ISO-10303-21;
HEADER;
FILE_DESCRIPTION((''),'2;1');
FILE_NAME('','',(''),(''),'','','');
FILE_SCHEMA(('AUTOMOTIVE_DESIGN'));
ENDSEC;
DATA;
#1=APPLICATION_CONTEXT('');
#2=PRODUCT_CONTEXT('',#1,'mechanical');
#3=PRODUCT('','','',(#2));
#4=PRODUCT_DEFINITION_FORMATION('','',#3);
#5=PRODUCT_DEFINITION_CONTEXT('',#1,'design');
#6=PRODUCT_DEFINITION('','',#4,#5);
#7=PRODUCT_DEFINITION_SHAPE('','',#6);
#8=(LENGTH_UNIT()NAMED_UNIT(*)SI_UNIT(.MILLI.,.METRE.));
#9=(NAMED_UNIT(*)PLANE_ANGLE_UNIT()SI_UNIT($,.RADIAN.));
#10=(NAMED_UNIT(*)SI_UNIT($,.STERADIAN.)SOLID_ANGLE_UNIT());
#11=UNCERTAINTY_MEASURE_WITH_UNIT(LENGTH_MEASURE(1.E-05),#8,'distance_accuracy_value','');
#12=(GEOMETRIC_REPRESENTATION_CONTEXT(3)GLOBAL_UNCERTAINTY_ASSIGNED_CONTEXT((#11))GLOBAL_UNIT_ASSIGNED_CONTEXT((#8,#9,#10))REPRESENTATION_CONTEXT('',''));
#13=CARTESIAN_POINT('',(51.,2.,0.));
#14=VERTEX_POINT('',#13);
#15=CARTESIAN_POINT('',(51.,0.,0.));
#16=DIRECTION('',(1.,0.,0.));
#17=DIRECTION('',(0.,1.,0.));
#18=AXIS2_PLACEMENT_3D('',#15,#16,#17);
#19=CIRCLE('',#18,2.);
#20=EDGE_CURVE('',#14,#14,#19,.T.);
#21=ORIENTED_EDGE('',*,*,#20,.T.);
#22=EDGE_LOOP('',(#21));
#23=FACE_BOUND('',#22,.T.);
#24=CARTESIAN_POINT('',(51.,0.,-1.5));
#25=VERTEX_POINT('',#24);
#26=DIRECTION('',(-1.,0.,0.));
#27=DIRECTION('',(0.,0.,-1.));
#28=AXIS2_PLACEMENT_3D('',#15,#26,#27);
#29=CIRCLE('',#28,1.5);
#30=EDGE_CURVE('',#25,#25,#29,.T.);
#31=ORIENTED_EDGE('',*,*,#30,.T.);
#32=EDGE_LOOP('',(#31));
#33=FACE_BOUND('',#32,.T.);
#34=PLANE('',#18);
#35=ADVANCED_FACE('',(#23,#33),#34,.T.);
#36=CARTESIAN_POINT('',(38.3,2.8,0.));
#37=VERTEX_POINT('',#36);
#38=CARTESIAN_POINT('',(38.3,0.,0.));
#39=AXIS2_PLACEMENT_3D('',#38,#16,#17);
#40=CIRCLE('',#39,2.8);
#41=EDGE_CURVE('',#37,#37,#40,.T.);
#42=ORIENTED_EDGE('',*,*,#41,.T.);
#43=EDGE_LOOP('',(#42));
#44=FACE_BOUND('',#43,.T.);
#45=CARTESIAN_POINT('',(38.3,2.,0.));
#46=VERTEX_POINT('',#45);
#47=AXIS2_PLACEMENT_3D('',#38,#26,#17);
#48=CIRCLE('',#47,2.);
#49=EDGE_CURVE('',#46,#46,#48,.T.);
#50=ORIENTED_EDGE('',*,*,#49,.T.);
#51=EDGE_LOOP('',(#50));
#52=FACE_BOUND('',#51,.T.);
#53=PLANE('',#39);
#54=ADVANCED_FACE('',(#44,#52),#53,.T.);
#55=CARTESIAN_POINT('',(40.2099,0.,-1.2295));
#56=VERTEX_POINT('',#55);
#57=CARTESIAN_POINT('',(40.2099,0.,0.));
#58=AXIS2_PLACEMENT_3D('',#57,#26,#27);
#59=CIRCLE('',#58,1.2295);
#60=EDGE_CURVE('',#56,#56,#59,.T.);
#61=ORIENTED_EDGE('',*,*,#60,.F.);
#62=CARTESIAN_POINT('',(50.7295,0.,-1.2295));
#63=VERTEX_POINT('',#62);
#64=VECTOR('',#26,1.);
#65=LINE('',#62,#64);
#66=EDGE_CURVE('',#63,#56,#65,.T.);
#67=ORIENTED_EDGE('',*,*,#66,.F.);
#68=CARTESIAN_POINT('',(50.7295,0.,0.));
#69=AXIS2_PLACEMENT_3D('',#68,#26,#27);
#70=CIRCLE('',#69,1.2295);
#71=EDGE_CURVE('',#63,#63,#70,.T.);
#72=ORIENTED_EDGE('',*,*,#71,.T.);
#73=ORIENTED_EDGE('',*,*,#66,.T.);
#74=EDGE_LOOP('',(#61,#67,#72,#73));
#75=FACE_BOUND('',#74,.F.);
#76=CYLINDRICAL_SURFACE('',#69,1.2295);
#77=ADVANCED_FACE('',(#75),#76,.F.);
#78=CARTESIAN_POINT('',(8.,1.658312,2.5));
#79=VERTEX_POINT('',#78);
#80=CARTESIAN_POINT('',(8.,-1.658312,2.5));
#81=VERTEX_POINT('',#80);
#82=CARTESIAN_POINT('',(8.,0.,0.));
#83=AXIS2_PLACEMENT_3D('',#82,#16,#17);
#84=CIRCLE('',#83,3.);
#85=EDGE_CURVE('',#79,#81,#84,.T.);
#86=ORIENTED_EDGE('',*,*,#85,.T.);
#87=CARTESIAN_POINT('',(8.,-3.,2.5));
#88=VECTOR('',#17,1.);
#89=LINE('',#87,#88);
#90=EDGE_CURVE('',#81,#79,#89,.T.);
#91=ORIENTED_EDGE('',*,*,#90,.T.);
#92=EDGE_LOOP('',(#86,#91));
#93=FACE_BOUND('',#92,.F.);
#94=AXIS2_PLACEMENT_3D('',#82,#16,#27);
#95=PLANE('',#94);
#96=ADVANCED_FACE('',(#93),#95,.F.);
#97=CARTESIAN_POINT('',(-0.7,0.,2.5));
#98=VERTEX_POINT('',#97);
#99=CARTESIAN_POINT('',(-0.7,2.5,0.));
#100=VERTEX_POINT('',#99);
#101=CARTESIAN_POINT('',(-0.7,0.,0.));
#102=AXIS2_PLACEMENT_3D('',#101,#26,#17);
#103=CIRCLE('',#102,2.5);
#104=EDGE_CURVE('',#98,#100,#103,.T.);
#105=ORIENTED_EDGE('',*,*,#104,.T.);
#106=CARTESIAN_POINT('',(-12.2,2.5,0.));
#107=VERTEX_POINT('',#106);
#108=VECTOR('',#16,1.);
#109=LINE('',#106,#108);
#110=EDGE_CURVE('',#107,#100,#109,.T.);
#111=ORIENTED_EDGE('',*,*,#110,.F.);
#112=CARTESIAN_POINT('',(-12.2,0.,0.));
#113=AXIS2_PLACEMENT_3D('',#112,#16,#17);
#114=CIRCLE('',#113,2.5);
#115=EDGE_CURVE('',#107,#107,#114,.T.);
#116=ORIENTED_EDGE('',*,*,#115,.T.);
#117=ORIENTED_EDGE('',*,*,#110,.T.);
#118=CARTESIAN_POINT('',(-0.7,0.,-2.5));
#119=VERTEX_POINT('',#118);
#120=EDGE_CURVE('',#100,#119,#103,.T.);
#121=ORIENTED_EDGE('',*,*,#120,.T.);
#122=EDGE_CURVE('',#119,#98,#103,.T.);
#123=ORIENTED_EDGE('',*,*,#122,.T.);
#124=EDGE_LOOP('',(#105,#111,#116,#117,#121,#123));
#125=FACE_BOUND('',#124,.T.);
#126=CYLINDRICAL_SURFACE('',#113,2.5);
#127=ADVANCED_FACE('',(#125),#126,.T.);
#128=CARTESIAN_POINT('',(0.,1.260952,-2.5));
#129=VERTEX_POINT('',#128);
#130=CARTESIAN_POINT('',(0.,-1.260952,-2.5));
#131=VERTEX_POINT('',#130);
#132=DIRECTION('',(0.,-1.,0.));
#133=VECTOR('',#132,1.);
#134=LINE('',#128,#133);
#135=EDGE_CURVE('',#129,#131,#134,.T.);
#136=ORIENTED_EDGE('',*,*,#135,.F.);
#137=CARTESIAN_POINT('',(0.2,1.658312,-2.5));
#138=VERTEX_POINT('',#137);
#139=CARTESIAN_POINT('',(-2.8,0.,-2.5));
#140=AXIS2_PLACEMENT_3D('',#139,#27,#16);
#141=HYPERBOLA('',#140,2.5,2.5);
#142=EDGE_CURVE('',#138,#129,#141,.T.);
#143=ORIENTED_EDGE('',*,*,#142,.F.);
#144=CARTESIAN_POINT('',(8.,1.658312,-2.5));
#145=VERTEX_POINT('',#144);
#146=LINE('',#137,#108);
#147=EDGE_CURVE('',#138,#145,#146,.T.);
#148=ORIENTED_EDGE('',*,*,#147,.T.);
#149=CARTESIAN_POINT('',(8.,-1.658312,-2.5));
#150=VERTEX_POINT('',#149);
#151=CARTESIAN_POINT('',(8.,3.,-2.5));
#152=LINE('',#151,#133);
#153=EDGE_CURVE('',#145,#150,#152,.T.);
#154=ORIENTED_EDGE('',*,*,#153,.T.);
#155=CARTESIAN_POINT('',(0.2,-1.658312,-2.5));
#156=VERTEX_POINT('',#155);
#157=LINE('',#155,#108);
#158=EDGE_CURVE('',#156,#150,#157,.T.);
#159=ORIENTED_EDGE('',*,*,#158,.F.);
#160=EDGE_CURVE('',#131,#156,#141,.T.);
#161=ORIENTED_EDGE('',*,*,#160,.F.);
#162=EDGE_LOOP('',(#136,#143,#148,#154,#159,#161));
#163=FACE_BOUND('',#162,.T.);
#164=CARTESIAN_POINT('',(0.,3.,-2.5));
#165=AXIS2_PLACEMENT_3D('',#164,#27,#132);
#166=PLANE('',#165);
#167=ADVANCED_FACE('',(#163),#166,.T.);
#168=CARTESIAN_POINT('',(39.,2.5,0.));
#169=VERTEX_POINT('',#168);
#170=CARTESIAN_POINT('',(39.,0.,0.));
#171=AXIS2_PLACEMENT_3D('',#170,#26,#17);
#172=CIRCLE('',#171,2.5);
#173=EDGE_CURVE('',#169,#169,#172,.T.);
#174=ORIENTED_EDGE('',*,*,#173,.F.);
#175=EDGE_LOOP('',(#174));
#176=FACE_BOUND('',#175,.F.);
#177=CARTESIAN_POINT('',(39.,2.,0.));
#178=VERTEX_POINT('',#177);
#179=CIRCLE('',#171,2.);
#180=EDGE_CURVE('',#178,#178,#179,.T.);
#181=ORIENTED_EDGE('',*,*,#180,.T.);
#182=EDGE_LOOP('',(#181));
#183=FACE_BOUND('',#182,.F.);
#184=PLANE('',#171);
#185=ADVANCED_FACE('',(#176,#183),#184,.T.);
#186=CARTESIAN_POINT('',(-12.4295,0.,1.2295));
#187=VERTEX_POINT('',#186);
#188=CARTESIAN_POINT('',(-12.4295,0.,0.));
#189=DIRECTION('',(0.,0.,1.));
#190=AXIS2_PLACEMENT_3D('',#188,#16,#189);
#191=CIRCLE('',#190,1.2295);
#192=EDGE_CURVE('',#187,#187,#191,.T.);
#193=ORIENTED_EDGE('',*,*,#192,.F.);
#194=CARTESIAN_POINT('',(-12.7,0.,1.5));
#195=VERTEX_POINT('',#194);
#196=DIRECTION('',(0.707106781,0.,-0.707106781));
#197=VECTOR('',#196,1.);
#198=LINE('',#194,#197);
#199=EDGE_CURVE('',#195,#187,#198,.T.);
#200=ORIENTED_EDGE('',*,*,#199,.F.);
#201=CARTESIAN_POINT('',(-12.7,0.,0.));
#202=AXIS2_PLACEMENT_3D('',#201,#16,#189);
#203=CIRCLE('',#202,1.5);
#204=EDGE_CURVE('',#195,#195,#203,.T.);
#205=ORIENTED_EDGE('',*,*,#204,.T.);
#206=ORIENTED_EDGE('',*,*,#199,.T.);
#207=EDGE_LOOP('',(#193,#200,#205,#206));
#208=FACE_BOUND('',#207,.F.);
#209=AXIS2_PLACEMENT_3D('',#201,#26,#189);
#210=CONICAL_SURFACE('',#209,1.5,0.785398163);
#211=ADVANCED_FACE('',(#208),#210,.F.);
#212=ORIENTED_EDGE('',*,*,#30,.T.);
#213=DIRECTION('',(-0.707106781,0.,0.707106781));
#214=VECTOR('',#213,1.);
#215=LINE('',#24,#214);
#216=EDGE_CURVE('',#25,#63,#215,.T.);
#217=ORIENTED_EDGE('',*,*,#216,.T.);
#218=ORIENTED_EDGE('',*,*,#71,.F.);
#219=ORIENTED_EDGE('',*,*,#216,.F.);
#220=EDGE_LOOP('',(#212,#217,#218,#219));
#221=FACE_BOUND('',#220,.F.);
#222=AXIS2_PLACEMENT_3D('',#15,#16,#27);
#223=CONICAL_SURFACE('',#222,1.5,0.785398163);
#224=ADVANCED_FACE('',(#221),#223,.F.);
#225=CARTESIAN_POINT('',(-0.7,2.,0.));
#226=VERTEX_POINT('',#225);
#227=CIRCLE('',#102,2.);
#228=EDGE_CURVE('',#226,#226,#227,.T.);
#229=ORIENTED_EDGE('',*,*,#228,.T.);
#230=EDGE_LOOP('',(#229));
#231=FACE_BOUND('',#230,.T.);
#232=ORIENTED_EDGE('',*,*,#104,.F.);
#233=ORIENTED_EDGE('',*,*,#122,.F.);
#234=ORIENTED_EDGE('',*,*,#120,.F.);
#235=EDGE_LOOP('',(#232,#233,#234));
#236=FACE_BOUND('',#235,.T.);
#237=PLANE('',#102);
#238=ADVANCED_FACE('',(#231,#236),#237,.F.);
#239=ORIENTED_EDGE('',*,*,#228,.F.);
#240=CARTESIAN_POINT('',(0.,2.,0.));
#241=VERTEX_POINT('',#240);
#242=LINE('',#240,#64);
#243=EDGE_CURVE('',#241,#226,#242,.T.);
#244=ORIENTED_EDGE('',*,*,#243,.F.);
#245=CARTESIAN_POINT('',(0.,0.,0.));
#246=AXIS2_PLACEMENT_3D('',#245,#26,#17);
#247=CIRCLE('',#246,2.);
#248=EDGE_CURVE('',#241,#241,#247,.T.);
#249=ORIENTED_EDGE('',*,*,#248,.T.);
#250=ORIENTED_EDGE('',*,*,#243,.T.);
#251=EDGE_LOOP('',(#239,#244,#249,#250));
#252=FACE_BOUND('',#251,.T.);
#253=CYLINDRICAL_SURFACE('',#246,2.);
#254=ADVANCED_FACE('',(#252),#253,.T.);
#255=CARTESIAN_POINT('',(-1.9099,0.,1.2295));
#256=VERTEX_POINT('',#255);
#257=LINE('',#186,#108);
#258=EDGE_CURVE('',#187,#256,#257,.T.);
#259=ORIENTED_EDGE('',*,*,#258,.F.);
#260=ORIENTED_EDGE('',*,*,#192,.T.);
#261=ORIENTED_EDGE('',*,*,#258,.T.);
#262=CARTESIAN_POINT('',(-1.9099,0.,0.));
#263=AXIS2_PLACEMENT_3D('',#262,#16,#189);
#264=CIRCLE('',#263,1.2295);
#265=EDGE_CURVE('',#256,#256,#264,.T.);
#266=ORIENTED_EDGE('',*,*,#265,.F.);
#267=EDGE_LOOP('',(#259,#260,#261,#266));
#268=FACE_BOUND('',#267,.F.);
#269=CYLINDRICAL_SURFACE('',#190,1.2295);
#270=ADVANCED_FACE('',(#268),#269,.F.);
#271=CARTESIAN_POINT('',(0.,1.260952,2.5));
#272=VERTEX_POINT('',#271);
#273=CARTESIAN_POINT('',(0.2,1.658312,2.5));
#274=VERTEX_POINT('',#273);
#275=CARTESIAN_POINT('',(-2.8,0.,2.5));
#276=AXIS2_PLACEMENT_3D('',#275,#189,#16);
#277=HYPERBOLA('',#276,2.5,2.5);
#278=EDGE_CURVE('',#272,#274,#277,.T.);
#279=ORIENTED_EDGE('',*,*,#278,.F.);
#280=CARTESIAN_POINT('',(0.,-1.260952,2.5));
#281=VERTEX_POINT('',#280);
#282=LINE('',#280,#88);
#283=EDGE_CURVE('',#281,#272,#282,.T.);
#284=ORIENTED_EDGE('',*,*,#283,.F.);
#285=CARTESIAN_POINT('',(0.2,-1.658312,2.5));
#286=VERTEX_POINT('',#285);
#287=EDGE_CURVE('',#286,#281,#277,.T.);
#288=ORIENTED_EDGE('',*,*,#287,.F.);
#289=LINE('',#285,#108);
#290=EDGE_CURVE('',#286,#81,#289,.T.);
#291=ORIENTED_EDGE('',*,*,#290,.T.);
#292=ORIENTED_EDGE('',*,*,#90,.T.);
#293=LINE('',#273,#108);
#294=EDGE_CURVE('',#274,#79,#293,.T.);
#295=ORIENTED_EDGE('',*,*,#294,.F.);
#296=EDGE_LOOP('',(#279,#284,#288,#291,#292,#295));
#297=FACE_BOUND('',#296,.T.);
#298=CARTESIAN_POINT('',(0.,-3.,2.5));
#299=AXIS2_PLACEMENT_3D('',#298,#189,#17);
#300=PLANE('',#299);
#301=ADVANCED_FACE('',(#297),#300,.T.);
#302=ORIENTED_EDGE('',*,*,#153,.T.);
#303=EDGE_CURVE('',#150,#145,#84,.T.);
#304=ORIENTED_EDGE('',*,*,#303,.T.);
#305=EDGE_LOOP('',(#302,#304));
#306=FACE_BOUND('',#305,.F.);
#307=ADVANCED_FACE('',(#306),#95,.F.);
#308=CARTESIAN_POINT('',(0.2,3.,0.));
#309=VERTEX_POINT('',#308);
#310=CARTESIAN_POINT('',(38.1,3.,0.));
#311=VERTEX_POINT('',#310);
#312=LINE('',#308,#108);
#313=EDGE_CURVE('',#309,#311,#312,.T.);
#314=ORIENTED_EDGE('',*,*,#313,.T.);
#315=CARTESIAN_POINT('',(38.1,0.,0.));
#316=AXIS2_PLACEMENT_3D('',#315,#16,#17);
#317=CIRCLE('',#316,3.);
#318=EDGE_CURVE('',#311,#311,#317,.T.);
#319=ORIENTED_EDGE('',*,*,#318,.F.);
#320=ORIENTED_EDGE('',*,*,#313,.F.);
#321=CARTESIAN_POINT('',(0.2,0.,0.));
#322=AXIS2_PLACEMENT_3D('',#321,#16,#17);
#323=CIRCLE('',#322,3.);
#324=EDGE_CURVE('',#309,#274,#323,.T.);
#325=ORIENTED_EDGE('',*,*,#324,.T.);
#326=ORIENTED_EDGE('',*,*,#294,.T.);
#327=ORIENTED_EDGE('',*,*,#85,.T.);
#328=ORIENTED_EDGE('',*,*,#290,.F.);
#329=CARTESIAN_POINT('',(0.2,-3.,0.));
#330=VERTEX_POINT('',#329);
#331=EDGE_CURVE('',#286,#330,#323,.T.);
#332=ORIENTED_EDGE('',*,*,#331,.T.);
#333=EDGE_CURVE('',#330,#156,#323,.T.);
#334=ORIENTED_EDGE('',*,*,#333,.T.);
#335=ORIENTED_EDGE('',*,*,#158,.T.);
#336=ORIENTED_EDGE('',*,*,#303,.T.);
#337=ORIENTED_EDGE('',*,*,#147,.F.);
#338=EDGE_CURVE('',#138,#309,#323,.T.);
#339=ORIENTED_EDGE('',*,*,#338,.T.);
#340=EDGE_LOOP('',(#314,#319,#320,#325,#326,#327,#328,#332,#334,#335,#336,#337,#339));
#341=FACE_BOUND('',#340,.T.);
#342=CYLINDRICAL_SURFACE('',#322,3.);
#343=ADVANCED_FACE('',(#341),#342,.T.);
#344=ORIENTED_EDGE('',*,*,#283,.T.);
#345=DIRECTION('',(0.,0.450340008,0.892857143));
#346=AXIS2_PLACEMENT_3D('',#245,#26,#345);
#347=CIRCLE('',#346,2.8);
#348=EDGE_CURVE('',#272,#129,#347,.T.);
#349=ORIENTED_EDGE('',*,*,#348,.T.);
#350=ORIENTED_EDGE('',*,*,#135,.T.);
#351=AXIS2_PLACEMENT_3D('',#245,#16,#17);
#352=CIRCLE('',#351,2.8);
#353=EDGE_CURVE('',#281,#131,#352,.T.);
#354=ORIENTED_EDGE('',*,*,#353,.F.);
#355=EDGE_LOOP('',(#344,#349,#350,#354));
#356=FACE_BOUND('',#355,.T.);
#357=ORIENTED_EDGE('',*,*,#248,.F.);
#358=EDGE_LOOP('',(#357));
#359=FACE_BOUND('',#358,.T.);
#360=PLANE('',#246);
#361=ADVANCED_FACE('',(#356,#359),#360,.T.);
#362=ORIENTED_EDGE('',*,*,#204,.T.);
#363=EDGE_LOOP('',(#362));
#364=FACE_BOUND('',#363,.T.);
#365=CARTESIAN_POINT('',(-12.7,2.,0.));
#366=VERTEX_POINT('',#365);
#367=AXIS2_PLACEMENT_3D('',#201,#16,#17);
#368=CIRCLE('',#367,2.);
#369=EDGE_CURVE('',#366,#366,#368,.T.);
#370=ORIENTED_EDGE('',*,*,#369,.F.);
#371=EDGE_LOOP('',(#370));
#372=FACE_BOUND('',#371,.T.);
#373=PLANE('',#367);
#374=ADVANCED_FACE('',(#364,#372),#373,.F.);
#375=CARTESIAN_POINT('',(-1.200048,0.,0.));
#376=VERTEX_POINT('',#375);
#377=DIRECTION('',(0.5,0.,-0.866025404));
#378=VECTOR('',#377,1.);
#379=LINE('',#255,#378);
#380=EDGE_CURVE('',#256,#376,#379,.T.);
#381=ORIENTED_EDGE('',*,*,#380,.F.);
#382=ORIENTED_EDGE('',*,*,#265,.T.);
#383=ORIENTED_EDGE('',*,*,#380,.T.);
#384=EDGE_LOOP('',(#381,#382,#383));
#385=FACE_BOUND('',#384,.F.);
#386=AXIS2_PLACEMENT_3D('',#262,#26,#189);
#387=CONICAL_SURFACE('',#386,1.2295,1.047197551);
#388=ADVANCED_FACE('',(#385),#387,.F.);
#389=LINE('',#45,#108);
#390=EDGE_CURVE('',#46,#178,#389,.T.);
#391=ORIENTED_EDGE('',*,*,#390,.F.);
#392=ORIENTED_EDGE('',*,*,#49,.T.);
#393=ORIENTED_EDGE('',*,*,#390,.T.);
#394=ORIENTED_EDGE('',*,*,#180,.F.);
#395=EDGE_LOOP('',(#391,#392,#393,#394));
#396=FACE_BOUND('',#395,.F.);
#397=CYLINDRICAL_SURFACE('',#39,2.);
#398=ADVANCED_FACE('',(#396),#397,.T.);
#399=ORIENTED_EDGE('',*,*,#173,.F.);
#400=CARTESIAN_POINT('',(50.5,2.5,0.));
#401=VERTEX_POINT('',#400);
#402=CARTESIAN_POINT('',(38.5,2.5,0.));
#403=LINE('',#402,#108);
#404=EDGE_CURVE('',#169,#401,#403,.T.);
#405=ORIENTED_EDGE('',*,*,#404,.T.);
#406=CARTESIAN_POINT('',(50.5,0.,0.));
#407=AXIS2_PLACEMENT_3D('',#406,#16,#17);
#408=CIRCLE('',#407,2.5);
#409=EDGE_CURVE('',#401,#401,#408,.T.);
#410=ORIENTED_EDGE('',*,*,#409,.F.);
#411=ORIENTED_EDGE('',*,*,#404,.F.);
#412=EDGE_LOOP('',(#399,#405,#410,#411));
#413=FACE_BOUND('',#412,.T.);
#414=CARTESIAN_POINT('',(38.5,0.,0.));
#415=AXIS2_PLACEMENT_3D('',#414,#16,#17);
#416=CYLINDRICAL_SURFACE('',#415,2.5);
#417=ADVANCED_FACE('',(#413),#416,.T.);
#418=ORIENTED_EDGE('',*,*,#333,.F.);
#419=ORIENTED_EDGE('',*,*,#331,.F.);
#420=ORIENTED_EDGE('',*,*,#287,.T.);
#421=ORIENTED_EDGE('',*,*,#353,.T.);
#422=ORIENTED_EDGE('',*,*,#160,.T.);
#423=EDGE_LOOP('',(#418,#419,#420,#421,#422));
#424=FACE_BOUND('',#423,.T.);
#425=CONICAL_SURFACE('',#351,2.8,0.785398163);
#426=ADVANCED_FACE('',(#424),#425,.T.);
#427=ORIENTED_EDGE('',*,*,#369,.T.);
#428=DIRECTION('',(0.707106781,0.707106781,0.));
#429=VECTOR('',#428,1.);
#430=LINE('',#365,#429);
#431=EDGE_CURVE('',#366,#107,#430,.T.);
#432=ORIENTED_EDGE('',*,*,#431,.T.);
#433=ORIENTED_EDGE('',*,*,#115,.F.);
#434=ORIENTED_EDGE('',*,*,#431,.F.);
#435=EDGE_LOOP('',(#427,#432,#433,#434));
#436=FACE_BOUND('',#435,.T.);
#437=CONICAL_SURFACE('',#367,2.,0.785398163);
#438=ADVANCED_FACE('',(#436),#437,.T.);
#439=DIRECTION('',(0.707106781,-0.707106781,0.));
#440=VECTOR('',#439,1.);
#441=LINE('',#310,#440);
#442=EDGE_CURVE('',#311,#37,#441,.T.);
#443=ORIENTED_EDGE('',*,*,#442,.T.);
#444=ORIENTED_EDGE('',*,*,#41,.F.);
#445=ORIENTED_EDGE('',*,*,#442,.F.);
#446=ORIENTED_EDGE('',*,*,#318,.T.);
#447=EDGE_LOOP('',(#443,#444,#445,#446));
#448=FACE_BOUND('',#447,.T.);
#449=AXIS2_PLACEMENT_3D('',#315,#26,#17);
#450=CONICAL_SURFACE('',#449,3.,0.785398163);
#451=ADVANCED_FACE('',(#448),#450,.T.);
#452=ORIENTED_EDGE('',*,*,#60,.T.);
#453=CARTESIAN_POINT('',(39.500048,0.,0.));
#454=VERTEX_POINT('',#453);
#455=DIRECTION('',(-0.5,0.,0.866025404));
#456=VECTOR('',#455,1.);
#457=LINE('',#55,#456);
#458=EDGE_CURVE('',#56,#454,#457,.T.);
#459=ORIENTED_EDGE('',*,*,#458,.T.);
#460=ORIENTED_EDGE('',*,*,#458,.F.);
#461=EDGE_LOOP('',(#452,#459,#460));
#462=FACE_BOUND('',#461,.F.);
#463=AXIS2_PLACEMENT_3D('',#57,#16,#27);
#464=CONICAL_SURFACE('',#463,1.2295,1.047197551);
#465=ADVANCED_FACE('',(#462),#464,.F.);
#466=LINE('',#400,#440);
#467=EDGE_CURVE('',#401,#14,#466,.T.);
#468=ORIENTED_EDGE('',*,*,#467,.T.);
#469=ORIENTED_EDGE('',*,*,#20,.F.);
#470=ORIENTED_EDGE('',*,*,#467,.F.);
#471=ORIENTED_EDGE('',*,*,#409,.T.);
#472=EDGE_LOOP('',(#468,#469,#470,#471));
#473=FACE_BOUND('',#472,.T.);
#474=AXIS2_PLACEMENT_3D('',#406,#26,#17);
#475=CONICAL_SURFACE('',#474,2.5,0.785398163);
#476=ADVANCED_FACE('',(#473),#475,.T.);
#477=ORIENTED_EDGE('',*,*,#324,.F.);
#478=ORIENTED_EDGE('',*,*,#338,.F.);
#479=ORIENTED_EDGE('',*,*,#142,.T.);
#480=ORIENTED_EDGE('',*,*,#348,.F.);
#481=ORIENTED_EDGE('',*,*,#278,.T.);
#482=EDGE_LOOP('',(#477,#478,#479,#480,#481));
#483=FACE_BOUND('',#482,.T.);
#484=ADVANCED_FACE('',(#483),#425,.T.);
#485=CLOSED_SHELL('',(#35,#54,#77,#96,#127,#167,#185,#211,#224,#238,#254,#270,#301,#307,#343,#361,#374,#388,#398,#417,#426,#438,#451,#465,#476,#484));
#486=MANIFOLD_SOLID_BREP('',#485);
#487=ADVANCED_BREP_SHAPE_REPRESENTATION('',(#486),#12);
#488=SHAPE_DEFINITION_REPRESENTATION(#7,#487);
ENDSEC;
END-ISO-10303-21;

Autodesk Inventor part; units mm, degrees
ref_plane "YZ Plane" through (0, 0, 0) normal (1, 0, 0) x (0, 1, 0)
ref_plane "XZ Plane" through (0, 0, 0) normal (0, 1, 0) x (-1, 0, 0)
ref_plane "XY Plane" through (0, 0, 0) normal (0, 0, 1) x (1, 0, 0)
sketch "Sketch_1" plane through (0, 0, 0) normal (0, 0, 1) x (1, 0, 0)
  line L0 (51, 0) -> (-12.7, 0)
  line L1 (-12.7, 0) -> (-12.7, 2)
  line L2 (-12.7, 2) -> (-12.2, 2.5)
  line L3 (-12.2, 2.5) -> (-0.2, 2.5)
  arc A0 (-0.2, 2.5) -> (0, 2.7) centre (-0.2, 2.7) ccw
  line L4 (0, 2.7) -> (0, 2.8)
  line L5 (0, 2.8) -> (0.2, 3)
  line L6 (0.2, 3) -> (38.1, 3)
  line L7 (38.1, 3) -> (38.3, 2.8)
  line L8 (38.3, 2.8) -> (38.3, 2.7)
  arc A1 (38.3, 2.7) -> (38.5, 2.5) centre (38.5, 2.7) ccw
  line L9 (38.5, 2.5) -> (50.5, 2.5)
  line L10 (50.5, 2.5) -> (51, 2)
  line L11 (51, 2) -> (51, 0)
  line L12 (51, 0) -> (-12.7, 0)
  line L13 (38.3, 2.7) -> (38.3, 2)
  line L14 (38.3, 2) -> (39, 2)
  line L15 (39, 2) -> (39, 2.5)
  line L16 (0, 2.7) -> (0, 2)
  line L17 (0, 2) -> (-0.7, 2)
  line L18 (-0.7, 2) -> (-0.7, 2.5)
  dimension "d17" = 0.7
  dimension "d18" = 2
  dimension "d20" = 0.7
  dimension "d21" = 2
revolve "Revolution1" add sketch "Sketch_1" angle 360 about axis through (51, 0, 0) along (1, 0, 0)
sketch "Sketch2" plane through (-12.7, 0, 0) normal (-1, 0, 0) x (0, 0, 1)
  point P0 (0, 0)
hole "Hole1" at (-12.7, 0, 0) direction (1, 0, 0) diameter 2.459 depth 10.7901 tip angle 120 countersink diameter 3 countersink angle 90 thread size "M3x0.5" class "6H" standard "ISO Metric profile"
sketch "Sketch3" plane through (51, 0, 0) normal (1, 0, 0) x (0, 0, -1)
  point P0 (0, 0)
hole "Hole2" at (51, 0, 0) direction (-1, 0, 0) diameter 2.459 depth 10.7901 tip angle 120 countersink diameter 3 countersink angle 90 thread size "M3x0.5" class "6H" standard "ISO Metric profile"
sketch "Sketch_28" plane through (0, 0, 0) normal (1, 0, 0) x (0, 0, -1)
  line L0 (-5, -6) -> (5, -6)
  line L1 (5, -6) -> (5, 3)
  line L2 (5, 3) -> (2.5, 3)
  line L3 (2.5, 3) -> (2.5, -3)
  line L4 (2.5, -3) -> (-2.5, -3)
  line L5 (-2.5, -3) -> (-2.5, 3)
  line L6 (-2.5, 3) -> (-5, 3)
  line L7 (-5, 3) -> (-5, -6)
extrude "Extrusion1" cut sketch "Sketch_28" along normal mid plane 16
revolve "回転2" cut sketch "Sketch_1" angle 360 about axis through (51, 0, 0) along (-1, 0, 0) contours L15 L14 L13 A1 L9 | L3 A0 L16 L17 L18
properties part number "SSFRMHHS6-38.3-F12.7-P5-T12.7-M3-SC0-TF12.7-TT12.7"
